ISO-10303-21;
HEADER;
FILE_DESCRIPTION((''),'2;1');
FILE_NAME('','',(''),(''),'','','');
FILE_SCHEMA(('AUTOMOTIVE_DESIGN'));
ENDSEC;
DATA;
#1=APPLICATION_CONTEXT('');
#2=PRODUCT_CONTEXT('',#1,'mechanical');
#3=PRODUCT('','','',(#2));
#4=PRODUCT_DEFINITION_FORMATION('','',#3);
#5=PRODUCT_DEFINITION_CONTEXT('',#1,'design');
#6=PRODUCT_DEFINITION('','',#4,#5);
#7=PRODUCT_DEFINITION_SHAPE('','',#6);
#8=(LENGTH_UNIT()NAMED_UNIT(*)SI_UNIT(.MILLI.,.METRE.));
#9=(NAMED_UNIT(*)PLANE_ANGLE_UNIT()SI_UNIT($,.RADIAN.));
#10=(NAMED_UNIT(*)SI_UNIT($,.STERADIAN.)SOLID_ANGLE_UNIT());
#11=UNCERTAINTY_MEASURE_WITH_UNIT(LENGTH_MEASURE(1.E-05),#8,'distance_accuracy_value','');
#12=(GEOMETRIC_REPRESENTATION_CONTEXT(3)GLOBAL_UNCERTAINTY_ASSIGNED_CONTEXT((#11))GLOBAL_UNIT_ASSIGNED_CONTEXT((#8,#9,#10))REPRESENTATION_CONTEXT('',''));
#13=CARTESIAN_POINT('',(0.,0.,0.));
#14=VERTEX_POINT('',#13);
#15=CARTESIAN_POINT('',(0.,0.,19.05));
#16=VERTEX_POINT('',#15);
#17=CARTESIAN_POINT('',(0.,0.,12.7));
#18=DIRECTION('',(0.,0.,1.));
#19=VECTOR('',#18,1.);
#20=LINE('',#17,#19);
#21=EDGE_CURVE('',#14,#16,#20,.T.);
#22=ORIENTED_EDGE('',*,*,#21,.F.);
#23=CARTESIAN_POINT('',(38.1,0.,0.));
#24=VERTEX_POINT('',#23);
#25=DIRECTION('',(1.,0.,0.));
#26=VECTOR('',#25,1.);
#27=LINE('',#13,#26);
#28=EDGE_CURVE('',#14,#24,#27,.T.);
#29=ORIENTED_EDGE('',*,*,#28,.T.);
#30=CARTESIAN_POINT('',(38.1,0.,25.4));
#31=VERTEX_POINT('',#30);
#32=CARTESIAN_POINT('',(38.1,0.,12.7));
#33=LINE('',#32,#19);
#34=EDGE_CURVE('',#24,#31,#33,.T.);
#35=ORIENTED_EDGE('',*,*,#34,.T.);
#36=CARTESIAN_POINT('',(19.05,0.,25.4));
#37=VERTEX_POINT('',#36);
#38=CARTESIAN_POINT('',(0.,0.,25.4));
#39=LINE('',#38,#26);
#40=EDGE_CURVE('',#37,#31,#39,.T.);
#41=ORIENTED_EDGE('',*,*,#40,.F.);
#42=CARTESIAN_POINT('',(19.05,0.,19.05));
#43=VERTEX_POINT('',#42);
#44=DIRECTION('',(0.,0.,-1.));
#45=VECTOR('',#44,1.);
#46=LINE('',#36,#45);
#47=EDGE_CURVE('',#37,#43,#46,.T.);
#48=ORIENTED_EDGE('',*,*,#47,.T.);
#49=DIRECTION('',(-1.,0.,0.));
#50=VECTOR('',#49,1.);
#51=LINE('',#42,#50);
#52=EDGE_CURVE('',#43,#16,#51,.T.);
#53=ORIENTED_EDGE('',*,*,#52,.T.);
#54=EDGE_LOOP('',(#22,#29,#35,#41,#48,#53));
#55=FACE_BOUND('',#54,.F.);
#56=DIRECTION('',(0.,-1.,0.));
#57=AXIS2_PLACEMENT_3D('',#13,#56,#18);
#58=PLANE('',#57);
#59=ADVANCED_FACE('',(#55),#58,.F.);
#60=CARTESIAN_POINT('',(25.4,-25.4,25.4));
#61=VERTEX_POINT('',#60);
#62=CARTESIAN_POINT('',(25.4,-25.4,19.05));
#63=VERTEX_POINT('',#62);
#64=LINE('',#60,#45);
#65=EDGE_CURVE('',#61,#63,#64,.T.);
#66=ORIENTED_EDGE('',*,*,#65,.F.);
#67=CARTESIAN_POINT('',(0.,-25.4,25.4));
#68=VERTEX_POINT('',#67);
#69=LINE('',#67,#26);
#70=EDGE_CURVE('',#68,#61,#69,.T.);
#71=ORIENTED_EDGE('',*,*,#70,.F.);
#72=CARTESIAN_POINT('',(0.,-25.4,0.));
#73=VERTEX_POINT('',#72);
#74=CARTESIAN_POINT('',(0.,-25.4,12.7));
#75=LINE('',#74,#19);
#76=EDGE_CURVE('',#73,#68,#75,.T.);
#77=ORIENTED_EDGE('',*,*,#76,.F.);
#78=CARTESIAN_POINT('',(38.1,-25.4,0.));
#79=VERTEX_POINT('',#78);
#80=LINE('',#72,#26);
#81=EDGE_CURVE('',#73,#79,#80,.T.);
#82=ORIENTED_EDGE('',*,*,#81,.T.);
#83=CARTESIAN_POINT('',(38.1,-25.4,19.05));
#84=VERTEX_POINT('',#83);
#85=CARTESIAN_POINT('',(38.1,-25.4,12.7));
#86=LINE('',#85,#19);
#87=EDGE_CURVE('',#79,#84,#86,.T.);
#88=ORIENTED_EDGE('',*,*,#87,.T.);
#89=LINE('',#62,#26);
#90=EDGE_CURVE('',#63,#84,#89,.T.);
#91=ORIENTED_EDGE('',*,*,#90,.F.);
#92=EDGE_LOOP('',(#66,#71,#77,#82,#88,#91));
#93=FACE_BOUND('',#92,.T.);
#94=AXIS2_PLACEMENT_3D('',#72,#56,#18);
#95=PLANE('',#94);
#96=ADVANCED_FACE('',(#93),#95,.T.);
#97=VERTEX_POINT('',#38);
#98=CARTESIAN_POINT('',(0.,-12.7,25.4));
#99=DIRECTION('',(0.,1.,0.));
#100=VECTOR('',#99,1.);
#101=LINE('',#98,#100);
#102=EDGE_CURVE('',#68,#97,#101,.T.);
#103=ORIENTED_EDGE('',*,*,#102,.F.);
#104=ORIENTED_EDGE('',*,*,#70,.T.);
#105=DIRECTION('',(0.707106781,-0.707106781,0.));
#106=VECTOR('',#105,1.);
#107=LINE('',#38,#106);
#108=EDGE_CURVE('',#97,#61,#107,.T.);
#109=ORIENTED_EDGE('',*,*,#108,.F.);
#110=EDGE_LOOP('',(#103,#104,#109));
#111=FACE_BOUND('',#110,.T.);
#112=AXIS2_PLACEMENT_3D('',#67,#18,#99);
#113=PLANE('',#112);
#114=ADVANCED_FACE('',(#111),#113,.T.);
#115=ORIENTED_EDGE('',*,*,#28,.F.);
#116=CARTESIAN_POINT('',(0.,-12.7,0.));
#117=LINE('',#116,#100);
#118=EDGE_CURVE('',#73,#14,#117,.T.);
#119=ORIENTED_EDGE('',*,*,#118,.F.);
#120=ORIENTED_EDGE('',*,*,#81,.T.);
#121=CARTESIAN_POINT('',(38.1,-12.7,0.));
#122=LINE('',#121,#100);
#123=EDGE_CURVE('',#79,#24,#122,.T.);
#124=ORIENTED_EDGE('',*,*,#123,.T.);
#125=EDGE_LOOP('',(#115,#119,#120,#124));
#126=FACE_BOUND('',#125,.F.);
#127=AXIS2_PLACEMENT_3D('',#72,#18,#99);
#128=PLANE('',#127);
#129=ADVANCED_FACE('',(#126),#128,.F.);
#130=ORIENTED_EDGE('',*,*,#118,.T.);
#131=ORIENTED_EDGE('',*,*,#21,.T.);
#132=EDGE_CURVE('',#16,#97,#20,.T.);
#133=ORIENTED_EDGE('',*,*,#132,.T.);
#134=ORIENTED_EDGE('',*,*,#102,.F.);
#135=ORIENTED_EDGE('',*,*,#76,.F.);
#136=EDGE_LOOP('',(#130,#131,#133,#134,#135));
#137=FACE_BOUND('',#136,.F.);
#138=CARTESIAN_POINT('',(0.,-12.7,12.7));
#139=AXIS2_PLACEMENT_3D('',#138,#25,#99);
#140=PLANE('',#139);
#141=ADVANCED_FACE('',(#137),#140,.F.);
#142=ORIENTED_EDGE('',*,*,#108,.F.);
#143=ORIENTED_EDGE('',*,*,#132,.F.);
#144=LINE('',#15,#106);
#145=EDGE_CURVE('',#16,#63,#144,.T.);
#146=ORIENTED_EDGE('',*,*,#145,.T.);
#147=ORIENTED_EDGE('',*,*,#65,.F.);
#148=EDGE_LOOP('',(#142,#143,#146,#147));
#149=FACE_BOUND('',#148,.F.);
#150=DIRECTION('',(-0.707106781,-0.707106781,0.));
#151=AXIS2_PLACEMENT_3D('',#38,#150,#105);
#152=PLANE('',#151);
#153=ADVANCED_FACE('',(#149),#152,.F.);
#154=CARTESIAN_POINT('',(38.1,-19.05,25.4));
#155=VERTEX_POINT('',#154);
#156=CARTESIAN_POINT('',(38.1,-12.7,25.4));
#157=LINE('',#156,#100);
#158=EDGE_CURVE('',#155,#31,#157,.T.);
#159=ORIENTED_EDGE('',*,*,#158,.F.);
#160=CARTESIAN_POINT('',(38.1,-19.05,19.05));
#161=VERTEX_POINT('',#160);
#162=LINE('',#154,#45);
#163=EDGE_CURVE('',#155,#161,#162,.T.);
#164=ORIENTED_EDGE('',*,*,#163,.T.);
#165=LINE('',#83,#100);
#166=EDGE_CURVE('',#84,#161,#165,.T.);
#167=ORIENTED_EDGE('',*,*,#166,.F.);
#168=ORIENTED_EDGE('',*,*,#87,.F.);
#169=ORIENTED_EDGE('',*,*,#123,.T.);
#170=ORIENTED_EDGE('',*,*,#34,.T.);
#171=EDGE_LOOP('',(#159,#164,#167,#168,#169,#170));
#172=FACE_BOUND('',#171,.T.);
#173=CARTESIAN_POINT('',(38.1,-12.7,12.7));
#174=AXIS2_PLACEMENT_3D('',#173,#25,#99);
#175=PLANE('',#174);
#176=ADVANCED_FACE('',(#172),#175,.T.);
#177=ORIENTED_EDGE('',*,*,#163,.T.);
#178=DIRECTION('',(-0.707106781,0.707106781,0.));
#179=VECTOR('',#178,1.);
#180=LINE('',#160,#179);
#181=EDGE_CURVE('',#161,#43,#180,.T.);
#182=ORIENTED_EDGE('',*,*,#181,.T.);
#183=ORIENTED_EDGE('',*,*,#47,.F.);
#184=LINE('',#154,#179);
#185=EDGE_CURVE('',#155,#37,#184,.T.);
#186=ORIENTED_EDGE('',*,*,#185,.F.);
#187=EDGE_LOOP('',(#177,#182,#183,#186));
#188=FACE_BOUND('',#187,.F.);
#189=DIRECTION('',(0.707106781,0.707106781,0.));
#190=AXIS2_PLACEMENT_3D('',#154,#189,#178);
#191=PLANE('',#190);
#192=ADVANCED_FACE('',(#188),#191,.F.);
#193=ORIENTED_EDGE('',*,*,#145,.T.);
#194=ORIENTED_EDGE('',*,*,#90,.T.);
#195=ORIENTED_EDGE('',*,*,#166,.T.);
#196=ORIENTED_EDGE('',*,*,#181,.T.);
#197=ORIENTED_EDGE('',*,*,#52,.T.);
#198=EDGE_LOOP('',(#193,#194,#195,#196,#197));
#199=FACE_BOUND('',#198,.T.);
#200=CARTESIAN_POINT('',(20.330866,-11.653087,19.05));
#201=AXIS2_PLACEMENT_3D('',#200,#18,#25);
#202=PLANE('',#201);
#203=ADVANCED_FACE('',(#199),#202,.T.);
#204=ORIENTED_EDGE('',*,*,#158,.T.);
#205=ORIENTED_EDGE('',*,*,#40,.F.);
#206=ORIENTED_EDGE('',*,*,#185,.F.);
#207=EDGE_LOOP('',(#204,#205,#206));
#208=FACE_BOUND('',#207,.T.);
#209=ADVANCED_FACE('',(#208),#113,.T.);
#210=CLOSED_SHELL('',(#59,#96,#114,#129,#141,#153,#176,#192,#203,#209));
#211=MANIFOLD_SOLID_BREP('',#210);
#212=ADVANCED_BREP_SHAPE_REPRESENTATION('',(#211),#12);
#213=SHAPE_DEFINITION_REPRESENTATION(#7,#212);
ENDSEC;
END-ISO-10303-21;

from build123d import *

# Parameters (mm, degrees)
F0_W     = 25.4
F0_H     = 25.4
F1_DEPTH = 38.1
F3_DEPTH = 6.35


with BuildPart() as f1:
    # F0 (on Right) → F1 (new body)
    with BuildSketch(Plane.YZ):
        with Locations((-12.7, 12.7)):
            Rectangle(F0_W, F0_H)
    extrude(amount=F1_DEPTH)

    # F2 (on face) → F3 (cut)
    with BuildSketch(Plane.XY.offset(25.4)):
        Polygon((19.05, 0), (0, 0), (25.4, -25.4), (38.1, -25.4), (38.1, -19.05), align=None)
    extrude(amount=-F3_DEPTH, mode=Mode.SUBTRACT)


solid = f1.part
